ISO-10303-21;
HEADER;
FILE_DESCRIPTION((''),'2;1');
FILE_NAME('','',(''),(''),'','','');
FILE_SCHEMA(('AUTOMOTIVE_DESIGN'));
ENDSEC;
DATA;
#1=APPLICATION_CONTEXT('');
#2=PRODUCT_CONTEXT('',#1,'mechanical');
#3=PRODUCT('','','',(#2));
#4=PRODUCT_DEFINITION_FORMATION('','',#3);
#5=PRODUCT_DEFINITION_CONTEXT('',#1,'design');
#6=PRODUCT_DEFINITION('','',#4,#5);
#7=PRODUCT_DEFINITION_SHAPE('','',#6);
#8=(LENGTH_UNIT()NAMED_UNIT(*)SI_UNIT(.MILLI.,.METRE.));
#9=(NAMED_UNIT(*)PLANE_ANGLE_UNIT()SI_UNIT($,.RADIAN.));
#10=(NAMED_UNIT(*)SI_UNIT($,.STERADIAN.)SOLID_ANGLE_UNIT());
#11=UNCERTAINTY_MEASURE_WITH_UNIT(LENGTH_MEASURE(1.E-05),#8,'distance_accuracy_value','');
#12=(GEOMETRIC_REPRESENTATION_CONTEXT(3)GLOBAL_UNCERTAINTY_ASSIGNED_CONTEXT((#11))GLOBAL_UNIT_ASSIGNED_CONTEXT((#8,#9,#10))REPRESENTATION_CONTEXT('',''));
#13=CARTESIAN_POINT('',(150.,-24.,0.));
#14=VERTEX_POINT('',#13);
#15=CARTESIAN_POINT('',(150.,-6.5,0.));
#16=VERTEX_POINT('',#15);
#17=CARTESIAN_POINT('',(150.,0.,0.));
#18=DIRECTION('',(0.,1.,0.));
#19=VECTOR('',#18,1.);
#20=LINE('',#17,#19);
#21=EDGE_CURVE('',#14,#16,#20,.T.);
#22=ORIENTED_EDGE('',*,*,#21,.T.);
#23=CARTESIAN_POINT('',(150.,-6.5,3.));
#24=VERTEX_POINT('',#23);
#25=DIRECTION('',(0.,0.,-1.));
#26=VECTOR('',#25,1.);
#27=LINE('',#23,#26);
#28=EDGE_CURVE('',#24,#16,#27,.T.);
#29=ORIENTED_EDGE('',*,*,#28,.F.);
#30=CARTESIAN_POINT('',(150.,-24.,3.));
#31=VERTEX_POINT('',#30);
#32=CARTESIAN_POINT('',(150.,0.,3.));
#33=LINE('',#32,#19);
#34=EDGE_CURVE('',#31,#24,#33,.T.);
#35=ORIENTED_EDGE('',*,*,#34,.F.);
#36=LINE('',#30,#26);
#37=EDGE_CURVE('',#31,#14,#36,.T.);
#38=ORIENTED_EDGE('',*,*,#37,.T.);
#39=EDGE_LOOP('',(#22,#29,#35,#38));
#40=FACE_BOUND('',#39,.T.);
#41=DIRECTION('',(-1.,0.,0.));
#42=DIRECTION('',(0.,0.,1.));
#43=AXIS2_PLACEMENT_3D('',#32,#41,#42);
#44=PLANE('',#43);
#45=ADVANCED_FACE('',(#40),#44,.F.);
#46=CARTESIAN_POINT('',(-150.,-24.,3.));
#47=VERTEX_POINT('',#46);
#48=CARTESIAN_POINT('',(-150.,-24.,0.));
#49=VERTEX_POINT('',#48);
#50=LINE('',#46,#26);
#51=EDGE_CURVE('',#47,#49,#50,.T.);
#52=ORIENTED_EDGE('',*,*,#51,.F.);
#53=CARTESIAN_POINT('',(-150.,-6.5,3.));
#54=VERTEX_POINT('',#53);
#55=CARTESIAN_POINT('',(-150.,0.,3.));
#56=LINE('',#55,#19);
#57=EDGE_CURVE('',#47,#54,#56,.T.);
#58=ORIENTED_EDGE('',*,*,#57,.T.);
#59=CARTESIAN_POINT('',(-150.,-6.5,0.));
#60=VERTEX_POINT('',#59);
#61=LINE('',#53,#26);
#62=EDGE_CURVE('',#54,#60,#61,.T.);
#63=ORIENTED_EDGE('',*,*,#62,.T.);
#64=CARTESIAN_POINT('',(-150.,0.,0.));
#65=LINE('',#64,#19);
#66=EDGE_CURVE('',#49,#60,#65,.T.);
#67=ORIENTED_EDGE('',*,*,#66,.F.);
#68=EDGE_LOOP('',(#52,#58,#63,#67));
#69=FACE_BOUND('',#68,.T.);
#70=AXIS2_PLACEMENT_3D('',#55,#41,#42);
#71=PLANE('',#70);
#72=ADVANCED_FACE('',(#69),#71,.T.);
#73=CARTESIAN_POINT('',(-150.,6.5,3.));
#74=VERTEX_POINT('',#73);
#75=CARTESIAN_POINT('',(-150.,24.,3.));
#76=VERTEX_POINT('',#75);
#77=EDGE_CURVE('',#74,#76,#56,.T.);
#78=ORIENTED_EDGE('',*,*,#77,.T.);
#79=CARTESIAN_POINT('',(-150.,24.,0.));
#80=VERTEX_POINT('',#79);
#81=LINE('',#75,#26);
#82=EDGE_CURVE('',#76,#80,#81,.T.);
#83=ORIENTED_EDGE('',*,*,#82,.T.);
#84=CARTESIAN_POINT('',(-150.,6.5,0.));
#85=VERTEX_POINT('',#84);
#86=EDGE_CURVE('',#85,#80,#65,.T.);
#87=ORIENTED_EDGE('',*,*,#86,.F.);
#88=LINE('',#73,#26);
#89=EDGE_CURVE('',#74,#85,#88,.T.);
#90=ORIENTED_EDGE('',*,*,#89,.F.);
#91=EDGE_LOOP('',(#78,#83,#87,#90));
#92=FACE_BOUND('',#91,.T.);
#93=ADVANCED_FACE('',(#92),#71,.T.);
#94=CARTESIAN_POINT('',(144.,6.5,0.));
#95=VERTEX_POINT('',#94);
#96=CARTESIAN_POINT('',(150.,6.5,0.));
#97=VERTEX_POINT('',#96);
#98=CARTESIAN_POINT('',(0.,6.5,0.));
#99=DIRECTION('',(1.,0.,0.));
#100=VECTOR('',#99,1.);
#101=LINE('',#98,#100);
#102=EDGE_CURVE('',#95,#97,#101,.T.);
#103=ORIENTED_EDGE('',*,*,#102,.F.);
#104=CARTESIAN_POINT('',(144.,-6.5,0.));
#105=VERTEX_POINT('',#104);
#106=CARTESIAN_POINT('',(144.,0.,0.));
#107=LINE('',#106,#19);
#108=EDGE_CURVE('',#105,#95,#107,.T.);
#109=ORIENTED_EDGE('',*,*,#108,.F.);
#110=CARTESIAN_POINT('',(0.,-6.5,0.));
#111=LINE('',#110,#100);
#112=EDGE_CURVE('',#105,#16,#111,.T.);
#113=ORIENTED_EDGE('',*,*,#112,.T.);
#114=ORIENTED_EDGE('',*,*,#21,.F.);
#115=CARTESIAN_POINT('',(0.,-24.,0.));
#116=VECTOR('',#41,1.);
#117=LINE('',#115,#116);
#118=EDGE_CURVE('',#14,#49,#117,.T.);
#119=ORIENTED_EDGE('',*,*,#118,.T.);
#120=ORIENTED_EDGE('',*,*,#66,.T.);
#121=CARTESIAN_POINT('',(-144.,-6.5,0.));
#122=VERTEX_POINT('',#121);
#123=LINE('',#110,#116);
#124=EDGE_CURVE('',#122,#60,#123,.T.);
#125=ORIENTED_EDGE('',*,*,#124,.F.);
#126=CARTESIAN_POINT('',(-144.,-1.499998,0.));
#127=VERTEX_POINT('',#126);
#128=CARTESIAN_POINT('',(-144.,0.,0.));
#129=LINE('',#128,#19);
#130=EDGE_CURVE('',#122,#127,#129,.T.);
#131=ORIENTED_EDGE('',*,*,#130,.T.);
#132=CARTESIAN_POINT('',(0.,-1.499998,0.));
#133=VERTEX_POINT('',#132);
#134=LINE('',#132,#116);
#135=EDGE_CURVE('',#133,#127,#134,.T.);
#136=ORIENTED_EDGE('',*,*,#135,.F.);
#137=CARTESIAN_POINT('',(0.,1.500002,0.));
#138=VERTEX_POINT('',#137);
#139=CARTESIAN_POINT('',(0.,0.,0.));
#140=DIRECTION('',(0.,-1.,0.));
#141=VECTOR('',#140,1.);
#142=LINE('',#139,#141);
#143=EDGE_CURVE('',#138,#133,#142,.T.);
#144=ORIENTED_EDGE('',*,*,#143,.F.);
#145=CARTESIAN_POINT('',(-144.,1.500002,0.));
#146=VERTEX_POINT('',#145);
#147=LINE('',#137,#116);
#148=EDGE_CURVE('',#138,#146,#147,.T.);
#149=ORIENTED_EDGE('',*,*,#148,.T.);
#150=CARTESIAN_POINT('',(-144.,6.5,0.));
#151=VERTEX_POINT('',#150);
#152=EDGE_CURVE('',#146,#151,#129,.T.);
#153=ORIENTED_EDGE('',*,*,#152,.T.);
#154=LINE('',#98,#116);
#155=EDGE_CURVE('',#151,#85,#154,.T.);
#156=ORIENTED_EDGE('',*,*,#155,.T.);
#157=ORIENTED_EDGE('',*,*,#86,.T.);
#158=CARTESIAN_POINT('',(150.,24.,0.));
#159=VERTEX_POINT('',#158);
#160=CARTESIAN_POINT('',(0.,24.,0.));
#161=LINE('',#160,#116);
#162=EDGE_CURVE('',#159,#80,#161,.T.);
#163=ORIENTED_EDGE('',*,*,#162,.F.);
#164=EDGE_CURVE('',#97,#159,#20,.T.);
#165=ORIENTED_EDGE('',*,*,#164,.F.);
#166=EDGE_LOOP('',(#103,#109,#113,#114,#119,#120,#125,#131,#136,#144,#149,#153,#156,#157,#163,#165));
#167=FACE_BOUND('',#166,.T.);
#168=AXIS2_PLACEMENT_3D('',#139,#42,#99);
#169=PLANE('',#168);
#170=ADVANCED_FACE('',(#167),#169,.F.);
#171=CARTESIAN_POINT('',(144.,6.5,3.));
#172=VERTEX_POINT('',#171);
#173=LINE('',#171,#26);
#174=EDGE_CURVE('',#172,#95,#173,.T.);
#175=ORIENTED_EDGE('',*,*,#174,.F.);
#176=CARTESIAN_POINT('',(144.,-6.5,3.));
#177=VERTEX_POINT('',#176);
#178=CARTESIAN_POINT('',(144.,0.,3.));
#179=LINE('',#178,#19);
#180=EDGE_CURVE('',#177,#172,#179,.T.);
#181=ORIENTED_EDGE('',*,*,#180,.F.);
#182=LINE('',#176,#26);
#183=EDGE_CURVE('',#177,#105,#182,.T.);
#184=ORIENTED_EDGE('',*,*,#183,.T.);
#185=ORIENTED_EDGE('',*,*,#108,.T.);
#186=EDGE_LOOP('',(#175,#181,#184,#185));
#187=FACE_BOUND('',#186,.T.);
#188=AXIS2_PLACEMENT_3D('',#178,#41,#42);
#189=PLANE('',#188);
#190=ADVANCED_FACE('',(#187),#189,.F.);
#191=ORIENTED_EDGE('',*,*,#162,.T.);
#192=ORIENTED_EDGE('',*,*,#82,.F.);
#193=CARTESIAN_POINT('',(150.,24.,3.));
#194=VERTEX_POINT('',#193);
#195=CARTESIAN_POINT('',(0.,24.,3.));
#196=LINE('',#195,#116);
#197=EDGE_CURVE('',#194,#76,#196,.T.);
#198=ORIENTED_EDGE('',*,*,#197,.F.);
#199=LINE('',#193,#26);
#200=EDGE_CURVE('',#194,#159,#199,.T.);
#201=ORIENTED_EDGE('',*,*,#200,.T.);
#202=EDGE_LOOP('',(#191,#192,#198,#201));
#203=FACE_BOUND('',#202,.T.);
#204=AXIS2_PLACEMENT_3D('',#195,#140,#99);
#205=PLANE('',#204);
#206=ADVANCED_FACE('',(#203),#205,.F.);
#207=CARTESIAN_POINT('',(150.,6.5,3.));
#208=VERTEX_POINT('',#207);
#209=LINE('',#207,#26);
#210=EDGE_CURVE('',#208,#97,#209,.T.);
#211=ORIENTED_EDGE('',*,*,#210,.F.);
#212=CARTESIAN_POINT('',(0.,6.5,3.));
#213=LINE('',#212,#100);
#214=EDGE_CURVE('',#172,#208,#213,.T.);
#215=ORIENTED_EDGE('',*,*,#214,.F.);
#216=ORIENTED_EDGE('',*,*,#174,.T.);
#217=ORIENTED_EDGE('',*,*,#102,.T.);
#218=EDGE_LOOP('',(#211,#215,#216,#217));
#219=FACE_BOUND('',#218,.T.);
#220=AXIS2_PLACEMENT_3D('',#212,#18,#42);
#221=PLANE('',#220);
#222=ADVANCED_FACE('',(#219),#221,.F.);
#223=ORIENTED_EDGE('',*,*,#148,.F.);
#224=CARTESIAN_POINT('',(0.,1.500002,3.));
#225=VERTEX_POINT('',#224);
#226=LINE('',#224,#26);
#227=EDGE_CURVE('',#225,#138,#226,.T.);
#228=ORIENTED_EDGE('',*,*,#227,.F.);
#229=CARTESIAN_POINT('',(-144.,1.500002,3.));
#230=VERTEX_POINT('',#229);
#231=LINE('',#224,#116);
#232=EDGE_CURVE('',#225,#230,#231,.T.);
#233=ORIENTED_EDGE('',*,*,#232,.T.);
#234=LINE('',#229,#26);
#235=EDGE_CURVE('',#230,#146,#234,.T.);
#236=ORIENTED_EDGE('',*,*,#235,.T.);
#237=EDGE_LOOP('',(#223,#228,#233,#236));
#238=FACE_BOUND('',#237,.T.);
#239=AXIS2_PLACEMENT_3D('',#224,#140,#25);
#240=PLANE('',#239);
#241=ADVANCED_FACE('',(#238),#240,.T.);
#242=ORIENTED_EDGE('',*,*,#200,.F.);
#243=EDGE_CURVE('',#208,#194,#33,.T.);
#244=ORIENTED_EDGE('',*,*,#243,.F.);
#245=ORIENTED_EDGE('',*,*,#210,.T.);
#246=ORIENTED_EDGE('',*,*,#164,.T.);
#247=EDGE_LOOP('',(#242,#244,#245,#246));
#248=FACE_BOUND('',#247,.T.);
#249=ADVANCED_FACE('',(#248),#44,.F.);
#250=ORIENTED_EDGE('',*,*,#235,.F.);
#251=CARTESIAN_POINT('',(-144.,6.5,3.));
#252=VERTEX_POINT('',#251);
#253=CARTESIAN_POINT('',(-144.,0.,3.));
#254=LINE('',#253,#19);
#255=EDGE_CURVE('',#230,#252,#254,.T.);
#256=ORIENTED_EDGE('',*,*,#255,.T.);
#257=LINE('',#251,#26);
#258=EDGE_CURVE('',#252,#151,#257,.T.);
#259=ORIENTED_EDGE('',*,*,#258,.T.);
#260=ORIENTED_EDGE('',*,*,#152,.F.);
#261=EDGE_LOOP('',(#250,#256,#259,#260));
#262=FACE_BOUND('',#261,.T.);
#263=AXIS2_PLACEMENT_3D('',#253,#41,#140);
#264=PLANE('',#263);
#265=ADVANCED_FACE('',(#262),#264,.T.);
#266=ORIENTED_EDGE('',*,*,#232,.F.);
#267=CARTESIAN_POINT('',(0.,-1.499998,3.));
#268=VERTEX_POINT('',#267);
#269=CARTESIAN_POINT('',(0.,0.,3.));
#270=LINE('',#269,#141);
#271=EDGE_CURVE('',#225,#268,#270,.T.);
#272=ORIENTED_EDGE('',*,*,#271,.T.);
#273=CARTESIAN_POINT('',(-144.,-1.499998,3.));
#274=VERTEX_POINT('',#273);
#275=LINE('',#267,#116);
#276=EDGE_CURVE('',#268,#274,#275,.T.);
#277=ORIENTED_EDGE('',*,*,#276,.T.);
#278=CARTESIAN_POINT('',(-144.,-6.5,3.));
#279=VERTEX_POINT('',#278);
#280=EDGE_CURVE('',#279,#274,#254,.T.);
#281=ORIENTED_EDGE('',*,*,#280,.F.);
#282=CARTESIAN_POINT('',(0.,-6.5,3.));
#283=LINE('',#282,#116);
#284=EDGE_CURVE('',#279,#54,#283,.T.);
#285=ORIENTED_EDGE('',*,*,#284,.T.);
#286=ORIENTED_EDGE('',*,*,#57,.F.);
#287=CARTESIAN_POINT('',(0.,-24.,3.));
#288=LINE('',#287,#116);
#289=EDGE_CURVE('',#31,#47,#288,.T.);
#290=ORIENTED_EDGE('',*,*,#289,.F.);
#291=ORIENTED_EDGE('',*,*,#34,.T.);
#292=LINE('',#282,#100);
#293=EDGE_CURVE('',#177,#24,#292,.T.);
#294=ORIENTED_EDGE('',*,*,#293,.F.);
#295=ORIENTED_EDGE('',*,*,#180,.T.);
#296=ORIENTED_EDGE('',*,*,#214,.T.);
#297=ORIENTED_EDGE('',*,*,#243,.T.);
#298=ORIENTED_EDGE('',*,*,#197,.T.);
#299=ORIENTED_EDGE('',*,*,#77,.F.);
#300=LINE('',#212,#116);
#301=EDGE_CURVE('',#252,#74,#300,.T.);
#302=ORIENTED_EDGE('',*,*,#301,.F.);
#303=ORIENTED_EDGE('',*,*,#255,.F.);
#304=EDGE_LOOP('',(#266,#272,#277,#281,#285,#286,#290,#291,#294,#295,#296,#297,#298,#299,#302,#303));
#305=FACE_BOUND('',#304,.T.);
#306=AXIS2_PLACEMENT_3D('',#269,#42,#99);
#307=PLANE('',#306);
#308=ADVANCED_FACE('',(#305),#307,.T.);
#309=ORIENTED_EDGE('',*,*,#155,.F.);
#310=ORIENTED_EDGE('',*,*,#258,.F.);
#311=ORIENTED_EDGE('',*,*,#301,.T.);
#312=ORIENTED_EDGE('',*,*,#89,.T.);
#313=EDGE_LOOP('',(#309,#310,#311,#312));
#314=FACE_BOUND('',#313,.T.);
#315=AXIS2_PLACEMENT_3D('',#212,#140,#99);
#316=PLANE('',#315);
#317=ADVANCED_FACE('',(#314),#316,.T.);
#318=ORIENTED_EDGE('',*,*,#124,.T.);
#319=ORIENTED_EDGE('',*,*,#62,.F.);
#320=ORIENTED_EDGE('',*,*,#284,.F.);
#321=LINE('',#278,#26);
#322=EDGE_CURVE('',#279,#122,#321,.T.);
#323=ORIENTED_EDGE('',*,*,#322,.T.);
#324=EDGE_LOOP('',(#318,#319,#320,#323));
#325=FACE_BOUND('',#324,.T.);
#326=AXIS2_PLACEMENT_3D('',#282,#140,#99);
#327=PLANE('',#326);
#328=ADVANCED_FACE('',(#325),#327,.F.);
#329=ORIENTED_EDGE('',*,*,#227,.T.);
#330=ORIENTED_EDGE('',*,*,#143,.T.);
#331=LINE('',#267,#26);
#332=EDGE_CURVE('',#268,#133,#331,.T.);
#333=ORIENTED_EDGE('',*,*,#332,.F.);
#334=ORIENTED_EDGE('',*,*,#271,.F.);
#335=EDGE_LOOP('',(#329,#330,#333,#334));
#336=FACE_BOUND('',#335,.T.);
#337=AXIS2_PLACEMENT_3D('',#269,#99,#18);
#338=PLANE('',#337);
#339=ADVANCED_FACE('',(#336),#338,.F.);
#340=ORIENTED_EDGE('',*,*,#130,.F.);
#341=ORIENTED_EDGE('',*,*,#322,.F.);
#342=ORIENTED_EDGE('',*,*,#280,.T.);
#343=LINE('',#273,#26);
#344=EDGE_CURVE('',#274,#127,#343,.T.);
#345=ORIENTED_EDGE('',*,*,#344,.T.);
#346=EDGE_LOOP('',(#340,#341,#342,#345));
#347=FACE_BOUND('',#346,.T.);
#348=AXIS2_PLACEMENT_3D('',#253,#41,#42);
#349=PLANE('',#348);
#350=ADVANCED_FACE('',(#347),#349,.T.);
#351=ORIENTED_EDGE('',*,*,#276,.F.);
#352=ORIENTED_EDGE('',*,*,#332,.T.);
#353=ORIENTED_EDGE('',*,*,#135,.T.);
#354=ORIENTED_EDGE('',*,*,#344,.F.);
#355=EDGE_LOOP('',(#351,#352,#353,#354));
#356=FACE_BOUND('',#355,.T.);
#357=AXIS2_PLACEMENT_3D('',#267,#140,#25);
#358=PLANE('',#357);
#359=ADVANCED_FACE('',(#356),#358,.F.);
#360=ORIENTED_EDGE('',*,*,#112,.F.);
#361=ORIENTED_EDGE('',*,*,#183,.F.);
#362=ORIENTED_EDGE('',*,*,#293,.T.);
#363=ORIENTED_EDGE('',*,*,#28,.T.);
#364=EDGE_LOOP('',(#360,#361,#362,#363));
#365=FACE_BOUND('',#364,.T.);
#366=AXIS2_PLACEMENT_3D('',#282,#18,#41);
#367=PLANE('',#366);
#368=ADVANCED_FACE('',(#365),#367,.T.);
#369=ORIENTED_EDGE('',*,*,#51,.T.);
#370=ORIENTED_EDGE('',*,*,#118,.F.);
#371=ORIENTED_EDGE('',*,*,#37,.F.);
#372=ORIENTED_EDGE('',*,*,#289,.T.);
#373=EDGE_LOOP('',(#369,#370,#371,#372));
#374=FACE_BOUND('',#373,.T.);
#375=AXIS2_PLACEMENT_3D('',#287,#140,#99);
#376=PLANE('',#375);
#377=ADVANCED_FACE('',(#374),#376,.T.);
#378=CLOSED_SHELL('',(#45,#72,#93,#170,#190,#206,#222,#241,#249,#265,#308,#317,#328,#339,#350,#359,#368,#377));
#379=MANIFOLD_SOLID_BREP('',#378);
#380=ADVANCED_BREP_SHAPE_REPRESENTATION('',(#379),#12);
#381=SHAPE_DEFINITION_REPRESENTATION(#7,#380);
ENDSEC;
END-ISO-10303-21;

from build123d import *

# Parameters (mm, degrees)
SALIENTE_EXTRUIR1_DEPTH = 3


with BuildPart() as part:
    # Croquis1 → Saliente-Extruir1 (new body)
    with BuildSketch(Plane.XY):
        Polygon((-143.999999981, 1.500001899), (0, 1.500001899), (0, -1.499998101), (-143.999999981, -1.499998101), (-143.999999981, -6.5), (-150, -6.5), (-150, -24), (150, -24), (150, -6.5), (143.999999981, -6.5), (143.999999981, 6.5), (150, 6.5), (150, 24), (-150, 24), (-150, 6.5), (-143.999999981, 6.5), align=None)
    extrude(amount=SALIENTE_EXTRUIR1_DEPTH)


solid = part.part
